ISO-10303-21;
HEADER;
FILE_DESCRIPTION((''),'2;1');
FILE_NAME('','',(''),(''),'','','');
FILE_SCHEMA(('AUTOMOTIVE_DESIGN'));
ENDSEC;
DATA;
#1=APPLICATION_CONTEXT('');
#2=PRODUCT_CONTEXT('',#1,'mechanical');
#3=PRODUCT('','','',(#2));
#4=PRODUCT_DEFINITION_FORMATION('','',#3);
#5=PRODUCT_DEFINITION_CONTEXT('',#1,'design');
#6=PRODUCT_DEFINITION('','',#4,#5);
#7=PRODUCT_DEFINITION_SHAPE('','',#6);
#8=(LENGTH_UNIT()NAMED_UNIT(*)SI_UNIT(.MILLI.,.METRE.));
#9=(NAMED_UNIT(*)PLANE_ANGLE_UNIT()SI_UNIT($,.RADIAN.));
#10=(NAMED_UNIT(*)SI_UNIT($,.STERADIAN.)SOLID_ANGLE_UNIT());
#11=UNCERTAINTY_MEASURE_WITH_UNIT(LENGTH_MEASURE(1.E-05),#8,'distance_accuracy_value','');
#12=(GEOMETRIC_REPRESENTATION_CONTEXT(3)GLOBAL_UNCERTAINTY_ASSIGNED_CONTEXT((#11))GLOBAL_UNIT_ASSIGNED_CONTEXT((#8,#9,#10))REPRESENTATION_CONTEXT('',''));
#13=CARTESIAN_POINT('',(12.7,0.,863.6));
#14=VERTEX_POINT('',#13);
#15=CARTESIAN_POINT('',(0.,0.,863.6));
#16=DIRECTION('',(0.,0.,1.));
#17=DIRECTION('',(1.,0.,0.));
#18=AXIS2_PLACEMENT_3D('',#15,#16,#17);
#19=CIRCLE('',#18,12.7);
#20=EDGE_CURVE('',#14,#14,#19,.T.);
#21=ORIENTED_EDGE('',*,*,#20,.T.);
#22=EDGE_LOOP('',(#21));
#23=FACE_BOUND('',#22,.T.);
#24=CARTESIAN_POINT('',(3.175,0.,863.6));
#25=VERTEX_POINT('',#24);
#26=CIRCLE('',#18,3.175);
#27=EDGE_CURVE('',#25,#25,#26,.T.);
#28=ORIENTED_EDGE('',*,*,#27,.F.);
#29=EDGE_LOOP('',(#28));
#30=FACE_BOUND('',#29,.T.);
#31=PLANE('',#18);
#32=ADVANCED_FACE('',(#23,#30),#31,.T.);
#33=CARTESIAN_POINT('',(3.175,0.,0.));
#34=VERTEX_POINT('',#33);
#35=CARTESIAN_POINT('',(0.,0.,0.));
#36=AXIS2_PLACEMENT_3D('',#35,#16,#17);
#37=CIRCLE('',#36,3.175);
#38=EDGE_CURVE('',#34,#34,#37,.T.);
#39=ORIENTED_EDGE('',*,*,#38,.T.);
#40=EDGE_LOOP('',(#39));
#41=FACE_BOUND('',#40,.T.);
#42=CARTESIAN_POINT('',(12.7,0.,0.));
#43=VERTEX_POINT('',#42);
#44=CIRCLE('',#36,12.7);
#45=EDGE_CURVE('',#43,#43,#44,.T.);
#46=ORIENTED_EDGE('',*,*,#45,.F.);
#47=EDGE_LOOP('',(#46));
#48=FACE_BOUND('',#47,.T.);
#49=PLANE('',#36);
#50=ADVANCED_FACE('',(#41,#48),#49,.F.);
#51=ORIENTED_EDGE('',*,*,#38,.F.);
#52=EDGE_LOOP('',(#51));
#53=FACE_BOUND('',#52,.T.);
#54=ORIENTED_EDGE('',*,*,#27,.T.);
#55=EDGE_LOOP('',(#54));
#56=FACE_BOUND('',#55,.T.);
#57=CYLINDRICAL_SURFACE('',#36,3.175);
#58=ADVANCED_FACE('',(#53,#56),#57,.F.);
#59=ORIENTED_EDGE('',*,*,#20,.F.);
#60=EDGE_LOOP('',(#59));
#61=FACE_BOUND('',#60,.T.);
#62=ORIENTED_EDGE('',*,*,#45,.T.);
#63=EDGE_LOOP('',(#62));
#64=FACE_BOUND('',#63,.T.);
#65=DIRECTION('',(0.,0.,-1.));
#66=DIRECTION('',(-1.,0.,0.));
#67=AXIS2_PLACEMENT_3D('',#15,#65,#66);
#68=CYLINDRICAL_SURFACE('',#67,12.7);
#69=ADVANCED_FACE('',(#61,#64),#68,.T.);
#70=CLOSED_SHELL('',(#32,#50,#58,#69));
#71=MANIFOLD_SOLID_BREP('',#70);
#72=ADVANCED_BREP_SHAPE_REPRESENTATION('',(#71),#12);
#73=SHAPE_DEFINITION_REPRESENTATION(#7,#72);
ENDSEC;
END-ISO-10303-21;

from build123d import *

# Parameters (mm, degrees)
SKETCH1_R           = 12.7
BOSS_EXTRUDE1_DEPTH = 863.6
SKETCH2_R           = 3.175
CUT_EXTRUDE1_DEPTH  = 863.6


with BuildPart() as part:
    # Sketch1 → Boss-Extrude1 (new body)
    with BuildSketch(Plane.XY):
        Circle(SKETCH1_R)
    extrude(amount=BOSS_EXTRUDE1_DEPTH)

    # Sketch2 → Cut-Extrude1 (cut)
    with BuildSketch(Plane.XY.offset(863.6)):
        Circle(SKETCH2_R)
    extrude(amount=-CUT_EXTRUDE1_DEPTH, mode=Mode.SUBTRACT)


solid = part.part
